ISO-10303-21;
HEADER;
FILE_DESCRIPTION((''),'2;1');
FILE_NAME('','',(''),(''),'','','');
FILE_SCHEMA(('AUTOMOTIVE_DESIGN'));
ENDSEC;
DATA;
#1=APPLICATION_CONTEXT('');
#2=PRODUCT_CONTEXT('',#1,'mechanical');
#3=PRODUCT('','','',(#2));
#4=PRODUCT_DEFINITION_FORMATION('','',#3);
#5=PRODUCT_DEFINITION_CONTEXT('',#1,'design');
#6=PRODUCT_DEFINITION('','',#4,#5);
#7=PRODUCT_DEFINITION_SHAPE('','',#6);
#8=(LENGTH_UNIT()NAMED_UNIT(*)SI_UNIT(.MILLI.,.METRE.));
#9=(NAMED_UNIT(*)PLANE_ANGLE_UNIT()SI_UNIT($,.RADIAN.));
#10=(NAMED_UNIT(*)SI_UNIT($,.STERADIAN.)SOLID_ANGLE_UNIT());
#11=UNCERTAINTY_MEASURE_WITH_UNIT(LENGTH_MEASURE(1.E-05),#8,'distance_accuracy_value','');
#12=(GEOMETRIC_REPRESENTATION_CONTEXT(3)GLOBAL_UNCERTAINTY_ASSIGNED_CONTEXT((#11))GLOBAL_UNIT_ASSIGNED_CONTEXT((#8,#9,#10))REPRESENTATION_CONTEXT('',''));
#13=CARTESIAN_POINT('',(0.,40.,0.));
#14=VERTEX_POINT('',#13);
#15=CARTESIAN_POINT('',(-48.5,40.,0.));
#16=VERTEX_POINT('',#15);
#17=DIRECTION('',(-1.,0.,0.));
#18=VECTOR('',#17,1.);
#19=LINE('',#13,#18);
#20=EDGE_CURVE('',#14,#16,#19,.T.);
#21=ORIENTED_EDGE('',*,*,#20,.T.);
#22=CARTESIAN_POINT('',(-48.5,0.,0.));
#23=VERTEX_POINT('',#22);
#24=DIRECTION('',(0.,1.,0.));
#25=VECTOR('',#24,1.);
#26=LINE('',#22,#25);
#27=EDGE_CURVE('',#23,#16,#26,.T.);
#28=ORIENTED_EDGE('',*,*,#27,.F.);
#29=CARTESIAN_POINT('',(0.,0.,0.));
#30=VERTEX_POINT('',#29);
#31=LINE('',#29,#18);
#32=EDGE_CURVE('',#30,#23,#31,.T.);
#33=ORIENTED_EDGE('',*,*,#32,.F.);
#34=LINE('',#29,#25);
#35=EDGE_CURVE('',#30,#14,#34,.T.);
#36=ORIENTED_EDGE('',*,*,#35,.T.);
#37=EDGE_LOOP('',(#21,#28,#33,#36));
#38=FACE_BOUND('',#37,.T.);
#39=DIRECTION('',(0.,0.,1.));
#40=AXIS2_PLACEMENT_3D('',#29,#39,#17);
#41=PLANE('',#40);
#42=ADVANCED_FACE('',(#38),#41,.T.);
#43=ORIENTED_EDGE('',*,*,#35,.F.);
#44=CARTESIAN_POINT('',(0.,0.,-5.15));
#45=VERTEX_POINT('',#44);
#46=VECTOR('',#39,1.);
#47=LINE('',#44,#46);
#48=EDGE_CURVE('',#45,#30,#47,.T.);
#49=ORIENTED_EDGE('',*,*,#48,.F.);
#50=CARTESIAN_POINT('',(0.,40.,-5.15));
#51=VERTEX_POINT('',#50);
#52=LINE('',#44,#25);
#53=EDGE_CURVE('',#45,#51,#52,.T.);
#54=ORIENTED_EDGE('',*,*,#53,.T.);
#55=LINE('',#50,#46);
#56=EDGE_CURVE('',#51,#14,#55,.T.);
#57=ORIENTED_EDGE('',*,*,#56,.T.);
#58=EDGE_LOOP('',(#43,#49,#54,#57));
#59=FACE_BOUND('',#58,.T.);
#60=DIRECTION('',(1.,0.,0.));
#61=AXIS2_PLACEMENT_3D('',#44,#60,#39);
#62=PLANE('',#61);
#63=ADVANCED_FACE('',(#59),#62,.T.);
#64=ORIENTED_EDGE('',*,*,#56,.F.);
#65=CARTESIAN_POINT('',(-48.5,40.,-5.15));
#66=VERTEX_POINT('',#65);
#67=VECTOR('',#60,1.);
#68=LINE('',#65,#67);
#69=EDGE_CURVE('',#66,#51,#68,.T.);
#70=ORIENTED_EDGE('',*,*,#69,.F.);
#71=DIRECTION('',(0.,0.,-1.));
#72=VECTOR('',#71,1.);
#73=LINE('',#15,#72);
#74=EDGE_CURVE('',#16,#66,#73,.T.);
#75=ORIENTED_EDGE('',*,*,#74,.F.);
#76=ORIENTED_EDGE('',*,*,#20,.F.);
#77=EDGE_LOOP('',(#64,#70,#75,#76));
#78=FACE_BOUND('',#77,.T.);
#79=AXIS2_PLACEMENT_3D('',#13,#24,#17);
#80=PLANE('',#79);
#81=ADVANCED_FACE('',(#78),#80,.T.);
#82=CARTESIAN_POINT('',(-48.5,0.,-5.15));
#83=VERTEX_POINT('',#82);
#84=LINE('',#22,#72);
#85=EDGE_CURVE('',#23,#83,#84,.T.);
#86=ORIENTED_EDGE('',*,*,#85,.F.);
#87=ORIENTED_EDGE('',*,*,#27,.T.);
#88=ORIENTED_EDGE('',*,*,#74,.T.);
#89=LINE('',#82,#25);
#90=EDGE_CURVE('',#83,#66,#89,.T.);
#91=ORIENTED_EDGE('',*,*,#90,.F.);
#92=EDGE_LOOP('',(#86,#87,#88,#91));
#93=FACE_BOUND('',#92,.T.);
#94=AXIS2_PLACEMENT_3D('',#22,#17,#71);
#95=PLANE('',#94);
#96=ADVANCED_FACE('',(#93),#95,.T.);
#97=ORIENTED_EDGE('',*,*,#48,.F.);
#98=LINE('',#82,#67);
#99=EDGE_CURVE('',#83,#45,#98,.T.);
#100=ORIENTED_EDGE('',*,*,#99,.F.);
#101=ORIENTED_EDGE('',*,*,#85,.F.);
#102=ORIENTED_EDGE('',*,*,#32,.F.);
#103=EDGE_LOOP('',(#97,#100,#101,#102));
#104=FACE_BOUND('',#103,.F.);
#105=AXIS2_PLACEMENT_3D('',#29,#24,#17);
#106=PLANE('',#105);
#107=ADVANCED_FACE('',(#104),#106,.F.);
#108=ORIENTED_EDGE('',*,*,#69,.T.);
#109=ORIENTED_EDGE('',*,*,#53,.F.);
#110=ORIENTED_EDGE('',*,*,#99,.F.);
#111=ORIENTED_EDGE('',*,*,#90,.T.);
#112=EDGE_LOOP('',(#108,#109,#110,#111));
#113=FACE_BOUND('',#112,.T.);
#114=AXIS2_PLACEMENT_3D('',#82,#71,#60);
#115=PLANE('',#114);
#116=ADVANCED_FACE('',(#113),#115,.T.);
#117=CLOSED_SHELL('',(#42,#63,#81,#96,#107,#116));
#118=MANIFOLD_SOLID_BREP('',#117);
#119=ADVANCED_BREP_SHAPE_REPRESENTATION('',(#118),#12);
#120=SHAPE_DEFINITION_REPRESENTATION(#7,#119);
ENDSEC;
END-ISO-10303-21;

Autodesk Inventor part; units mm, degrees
ref_plane "YZ Plane" through (0, 0, 0) normal (1, 0, 0) x (0, 1, 0)
ref_plane "XZ Plane" through (0, 0, 0) normal (0, 1, 0) x (-1, 0, 0)
ref_plane "XY Plane" through (0, 0, 0) normal (0, 0, 1) x (1, 0, 0)
sketch "Sketch1" plane through (0, 0, 0) normal (0, 1, 0) x (-1, 0, 0)
  line L0 (0, 0) -> (48.5, 0)
  line L1 (48.5, 0) -> (48.5, -5.15)
  line L2 (48.5, -5.15) -> (0, -5.15)
  line L3 (0, -5.15) -> (0, 0)
  dimension "d0" = 5.15
  dimension "d1" = 48.5
extrude "Extrusion1" add sketch "Sketch1" along normal blind 40
properties part number "EndClamp"
